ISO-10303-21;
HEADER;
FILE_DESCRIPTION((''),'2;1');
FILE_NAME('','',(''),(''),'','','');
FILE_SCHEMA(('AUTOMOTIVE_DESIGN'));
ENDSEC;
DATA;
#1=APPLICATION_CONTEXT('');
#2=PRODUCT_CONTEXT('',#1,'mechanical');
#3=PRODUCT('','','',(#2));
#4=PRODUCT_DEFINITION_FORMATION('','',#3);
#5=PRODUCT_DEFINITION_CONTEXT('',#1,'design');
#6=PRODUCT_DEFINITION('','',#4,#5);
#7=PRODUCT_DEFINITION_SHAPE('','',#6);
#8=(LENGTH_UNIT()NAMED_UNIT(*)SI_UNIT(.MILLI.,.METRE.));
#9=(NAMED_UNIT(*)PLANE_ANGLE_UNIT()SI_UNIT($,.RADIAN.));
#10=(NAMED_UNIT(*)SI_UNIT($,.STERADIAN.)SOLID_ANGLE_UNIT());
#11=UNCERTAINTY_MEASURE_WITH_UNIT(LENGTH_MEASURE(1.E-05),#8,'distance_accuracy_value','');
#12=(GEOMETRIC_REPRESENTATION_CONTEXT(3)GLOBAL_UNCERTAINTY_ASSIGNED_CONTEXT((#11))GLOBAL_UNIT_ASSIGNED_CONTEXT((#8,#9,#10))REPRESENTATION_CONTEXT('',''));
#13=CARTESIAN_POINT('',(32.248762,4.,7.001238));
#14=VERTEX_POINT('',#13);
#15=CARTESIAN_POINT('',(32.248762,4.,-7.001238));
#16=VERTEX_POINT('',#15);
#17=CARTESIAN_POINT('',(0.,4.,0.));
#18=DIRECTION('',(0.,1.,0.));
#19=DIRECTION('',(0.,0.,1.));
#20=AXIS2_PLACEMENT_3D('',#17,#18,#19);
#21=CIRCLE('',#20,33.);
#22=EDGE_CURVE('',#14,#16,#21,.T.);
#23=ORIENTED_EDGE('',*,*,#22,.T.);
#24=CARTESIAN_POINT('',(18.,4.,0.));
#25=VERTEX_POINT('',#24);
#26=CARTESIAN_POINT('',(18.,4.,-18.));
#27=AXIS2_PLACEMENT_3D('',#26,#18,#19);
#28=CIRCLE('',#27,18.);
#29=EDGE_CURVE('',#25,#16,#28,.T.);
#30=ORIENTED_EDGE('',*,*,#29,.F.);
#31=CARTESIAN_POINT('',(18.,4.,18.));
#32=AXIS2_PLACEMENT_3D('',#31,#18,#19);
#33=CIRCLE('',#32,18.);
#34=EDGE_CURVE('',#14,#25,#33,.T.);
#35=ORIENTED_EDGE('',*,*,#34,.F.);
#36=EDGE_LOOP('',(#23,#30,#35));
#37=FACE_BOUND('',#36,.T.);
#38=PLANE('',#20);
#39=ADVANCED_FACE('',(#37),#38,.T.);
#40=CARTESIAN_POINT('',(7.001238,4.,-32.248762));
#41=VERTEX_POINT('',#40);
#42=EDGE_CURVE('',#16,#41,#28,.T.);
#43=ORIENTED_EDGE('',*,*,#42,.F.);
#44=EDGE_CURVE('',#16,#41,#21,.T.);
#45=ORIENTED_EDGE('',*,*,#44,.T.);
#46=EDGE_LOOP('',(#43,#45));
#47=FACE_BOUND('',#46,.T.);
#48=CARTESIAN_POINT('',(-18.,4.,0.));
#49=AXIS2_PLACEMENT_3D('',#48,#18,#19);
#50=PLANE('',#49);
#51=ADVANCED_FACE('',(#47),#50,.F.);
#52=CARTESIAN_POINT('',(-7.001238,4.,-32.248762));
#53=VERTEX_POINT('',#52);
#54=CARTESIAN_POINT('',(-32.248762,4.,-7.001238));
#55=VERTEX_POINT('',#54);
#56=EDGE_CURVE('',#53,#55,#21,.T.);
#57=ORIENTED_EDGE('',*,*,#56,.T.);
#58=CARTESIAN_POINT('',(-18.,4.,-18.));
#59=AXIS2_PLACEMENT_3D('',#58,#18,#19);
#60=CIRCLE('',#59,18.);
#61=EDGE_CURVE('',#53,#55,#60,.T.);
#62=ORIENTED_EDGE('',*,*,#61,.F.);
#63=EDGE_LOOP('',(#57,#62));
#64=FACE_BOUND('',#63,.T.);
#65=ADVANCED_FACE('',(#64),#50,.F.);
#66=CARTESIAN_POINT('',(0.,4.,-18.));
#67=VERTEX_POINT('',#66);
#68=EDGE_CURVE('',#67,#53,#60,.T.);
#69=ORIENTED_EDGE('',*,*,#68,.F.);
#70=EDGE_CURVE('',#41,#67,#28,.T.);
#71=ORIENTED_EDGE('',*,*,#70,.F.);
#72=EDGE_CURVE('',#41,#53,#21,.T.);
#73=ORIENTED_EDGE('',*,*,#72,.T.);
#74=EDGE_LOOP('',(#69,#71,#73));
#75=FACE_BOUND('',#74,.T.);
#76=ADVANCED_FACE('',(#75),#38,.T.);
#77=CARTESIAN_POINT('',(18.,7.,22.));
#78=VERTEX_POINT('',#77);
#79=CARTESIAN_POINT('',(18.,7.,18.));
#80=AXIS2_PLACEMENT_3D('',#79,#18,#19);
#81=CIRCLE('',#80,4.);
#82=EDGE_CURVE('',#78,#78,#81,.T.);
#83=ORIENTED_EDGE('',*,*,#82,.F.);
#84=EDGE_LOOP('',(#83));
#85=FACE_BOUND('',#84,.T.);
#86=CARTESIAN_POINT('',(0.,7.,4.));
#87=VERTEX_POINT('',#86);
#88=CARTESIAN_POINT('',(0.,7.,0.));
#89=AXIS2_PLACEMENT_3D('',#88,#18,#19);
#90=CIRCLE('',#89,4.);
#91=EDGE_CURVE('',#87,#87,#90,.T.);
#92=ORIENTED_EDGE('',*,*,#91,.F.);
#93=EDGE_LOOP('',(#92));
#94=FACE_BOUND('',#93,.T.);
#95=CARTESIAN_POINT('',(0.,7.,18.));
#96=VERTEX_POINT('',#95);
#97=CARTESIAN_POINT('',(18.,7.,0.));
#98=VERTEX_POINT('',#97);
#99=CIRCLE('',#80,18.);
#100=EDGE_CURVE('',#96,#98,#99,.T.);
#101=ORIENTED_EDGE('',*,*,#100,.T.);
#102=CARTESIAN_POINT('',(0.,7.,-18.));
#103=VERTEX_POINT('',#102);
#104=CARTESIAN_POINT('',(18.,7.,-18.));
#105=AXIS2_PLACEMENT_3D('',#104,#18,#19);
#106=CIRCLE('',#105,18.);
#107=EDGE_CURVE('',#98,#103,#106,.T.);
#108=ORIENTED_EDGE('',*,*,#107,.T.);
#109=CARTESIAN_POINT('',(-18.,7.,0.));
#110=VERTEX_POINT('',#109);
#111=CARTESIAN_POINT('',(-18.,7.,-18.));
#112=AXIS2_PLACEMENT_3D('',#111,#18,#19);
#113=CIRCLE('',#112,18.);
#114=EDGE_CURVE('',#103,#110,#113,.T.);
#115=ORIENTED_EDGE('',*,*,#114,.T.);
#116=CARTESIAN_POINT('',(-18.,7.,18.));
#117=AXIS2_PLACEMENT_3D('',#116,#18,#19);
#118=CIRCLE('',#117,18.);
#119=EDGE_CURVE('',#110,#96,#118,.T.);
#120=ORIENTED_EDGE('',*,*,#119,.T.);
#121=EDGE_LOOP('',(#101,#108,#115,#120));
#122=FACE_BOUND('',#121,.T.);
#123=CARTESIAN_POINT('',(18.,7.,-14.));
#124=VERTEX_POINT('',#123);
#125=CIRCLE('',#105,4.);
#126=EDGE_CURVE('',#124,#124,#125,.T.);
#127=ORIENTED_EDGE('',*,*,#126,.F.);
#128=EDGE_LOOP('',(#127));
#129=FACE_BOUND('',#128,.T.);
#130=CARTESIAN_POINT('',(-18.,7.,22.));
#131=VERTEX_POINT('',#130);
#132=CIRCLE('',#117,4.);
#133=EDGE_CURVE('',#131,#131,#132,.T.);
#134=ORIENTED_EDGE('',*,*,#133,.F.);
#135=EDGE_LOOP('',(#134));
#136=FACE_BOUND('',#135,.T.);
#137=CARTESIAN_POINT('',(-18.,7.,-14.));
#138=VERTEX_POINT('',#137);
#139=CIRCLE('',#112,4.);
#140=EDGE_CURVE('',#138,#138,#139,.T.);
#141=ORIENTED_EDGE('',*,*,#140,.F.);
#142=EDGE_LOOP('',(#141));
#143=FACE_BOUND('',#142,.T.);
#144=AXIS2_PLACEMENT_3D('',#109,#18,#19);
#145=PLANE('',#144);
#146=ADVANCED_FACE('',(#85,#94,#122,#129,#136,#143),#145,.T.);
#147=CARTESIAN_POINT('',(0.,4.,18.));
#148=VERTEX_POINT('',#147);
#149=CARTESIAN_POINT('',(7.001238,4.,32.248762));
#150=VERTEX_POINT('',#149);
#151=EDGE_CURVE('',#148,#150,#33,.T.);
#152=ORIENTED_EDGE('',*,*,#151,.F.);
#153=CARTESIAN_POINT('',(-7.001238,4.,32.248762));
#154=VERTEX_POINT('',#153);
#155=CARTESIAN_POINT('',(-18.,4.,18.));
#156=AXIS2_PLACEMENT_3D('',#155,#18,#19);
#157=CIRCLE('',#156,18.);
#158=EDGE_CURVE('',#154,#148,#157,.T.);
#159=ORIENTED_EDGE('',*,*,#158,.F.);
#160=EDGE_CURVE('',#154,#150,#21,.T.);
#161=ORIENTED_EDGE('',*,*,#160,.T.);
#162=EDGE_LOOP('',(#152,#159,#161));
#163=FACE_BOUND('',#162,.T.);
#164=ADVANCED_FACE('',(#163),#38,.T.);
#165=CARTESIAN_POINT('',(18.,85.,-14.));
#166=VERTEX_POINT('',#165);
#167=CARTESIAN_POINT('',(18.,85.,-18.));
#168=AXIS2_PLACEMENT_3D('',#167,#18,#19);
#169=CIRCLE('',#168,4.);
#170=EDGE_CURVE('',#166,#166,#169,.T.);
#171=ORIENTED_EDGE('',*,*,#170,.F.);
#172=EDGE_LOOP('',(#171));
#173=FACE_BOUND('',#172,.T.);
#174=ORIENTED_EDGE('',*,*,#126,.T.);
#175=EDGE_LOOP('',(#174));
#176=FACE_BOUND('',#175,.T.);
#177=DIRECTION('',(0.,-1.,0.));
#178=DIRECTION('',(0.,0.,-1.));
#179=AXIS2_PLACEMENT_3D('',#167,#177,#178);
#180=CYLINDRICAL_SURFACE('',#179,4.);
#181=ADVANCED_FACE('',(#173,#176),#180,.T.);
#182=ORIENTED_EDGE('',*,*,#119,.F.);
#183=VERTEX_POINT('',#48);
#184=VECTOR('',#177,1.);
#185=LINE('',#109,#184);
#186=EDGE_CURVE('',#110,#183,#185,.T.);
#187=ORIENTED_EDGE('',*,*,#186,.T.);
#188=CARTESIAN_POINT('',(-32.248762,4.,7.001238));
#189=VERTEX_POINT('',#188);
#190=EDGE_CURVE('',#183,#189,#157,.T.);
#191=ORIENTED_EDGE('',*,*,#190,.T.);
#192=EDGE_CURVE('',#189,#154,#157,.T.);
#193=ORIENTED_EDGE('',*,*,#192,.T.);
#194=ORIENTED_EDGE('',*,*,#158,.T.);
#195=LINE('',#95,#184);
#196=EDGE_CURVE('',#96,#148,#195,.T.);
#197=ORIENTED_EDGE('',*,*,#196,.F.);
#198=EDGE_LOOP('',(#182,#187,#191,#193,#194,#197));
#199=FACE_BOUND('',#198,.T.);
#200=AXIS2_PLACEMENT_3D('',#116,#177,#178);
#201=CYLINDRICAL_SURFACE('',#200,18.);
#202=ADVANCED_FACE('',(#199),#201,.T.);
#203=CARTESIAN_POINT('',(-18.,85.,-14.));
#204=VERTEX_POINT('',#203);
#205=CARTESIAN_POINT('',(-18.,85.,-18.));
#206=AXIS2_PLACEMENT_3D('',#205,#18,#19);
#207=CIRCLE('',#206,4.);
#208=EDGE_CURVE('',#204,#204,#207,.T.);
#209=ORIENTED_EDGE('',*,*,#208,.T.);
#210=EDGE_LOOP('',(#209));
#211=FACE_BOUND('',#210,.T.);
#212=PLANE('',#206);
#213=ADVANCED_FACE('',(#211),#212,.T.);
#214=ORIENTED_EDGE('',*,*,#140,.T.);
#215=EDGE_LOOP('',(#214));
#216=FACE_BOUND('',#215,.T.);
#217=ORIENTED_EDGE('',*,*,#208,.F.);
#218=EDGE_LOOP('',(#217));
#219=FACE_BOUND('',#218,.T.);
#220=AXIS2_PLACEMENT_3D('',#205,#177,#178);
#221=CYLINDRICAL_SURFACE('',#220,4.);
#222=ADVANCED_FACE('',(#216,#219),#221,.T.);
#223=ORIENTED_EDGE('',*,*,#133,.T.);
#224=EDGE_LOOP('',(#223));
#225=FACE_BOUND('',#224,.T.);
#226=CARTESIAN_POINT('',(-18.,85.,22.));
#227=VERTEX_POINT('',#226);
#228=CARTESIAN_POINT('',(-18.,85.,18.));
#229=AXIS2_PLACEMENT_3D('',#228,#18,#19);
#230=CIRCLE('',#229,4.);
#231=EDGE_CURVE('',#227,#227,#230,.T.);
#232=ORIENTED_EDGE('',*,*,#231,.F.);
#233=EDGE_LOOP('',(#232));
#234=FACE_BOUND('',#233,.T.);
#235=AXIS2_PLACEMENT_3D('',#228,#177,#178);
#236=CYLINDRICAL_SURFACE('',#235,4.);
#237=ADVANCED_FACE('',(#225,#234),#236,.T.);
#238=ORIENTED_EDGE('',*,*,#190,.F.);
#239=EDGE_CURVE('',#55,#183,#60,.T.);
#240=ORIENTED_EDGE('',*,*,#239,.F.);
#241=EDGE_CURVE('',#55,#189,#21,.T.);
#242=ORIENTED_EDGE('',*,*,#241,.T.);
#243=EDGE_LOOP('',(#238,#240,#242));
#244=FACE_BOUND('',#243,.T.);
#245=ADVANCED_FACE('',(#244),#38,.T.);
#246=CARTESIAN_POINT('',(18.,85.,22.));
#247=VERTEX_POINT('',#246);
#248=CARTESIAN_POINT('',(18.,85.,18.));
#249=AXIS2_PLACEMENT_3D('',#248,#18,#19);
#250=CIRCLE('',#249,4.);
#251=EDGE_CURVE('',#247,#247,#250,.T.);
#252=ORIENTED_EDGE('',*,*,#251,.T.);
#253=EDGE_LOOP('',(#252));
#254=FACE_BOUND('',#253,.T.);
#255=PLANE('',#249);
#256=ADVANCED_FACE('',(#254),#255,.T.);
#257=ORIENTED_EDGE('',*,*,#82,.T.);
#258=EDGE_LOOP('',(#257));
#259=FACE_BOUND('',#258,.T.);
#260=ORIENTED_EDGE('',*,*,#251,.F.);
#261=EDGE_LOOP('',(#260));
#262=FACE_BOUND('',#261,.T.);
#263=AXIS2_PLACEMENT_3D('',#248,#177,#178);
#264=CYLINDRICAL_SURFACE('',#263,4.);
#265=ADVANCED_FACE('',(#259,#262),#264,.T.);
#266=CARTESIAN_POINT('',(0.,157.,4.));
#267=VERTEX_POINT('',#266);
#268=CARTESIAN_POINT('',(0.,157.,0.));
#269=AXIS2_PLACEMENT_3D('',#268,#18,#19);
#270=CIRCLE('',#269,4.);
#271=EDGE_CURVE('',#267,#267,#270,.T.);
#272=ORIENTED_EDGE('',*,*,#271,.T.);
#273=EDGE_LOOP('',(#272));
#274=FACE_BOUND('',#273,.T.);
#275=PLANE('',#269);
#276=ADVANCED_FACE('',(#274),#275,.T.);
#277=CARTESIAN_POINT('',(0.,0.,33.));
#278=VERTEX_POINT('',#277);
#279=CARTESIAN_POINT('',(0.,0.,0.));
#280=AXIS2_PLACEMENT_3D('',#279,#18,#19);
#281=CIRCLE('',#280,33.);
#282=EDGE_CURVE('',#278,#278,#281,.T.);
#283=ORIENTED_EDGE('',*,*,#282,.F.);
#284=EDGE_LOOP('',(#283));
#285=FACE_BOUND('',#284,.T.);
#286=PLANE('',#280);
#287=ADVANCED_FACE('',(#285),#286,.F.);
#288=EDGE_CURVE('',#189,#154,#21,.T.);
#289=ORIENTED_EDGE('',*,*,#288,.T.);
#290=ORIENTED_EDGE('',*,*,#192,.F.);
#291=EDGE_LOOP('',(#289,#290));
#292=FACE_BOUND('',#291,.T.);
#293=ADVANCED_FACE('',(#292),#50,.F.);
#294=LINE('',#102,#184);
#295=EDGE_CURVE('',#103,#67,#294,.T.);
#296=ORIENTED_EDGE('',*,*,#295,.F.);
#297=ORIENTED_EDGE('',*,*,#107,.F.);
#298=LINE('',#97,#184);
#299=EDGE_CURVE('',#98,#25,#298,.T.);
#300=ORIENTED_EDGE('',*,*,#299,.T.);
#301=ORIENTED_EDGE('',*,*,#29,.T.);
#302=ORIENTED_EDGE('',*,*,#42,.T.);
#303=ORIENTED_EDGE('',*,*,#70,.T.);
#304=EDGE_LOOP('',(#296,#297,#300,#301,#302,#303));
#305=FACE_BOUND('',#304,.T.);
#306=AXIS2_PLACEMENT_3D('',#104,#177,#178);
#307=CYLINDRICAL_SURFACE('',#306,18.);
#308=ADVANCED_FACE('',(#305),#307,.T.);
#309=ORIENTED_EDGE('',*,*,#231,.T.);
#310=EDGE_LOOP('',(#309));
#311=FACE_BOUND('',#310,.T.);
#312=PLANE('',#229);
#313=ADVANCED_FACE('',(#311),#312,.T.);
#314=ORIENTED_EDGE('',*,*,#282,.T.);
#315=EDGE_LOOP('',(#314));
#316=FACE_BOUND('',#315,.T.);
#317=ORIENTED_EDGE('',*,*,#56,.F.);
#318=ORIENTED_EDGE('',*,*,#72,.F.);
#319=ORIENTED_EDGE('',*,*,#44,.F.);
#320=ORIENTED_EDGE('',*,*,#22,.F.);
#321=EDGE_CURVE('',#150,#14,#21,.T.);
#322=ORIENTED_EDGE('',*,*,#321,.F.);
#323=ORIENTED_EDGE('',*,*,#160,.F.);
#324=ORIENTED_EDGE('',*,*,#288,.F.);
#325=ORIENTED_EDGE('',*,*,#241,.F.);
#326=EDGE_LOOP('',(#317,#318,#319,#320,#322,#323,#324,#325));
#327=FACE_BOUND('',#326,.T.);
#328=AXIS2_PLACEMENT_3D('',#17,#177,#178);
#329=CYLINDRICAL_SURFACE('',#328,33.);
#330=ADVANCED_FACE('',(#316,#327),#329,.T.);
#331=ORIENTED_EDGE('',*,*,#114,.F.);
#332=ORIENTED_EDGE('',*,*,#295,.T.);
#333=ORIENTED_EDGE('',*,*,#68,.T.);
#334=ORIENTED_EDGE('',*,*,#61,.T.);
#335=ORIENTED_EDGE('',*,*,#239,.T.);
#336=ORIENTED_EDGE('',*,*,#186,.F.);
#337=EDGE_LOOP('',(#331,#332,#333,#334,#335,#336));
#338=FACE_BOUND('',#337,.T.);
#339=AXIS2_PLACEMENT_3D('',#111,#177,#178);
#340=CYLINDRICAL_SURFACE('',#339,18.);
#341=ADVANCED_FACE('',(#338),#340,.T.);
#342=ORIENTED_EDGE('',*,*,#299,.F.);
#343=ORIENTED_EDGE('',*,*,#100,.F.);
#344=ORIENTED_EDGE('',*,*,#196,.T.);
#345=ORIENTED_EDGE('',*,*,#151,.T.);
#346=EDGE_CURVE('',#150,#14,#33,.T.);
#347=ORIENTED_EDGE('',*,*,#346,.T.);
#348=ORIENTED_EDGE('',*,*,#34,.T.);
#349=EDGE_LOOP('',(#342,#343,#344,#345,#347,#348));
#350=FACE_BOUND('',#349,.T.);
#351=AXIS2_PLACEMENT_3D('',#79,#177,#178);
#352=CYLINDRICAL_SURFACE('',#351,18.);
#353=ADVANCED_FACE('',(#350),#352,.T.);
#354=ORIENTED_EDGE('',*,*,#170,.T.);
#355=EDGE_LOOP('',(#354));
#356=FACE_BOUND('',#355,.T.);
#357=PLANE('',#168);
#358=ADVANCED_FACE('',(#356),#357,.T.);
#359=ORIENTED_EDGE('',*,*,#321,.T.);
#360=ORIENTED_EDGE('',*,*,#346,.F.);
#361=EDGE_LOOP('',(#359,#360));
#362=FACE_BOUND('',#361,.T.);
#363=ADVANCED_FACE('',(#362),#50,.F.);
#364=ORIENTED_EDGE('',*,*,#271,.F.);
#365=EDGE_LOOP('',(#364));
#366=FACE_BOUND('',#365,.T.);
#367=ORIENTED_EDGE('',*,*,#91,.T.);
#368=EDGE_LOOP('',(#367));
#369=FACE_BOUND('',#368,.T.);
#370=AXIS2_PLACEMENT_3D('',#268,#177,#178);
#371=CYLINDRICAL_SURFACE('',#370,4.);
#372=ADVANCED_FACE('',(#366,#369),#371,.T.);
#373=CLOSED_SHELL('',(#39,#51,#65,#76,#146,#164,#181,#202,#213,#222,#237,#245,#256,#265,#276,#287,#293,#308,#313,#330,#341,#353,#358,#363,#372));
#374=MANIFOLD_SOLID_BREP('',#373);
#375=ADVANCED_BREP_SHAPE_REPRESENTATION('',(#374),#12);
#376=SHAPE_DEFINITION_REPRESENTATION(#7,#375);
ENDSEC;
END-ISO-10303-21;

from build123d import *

# Parameters (mm, degrees)
SKETCH1_R           = 33
BOSS_EXTRUDE1_DEPTH = 4
BOSS_EXTRUDE2_DEPTH = 3
SKETCH3_R           = 4
BOSS_EXTRUDE3_DEPTH = 78
SKETCH4_R           = 4
BOSS_EXTRUDE4_DEPTH = 150


with BuildPart() as part:
    # Sketch1 → Boss-Extrude1 (new body)
    with BuildSketch(Plane(origin=(0, 0, 0), x_dir=(1, 0, 0), z_dir=(0, 1, 0))):
        with Locations(Location((0, 0, 0), (0, 0, 270))):
            Circle(SKETCH1_R)
    extrude(amount=BOSS_EXTRUDE1_DEPTH)

    # Sketch2 → Boss-Extrude2 (add)
    with BuildSketch(Plane(origin=(0, 4, 0), x_dir=(1, 0, 0), z_dir=(0, 1, 0))):
        with BuildLine():
            ThreePointArc((18, 0), (30.727922061, 30.727922061), (0, 18))
            ThreePointArc((0, 18), (-30.727922061, 30.727922061), (-18, 0))
            ThreePointArc((-18, 0), (-30.727922061, -30.727922061), (0, -18))
            ThreePointArc((0, -18), (30.727922061, -30.727922061), (18, 0))
        make_face()
    extrude(amount=BOSS_EXTRUDE2_DEPTH)

    # Sketch3 → Boss-Extrude3 (add)
    with BuildSketch(Plane(origin=(0, 7, 0), x_dir=(1, 0, 0), z_dir=(0, 1, 0))):
        with Locations(Location((-18, 18, 0), (0, 0, 270))):
            Circle(SKETCH3_R)
        with Locations(Location((18, 18, 0), (0, 0, 270))):
            Circle(SKETCH3_R)
        with Locations(Location((18, -18, 0), (0, 0, 270))):
            Circle(SKETCH3_R)
        with Locations(Location((-18, -18, 0), (0, 0, 270))):
            Circle(SKETCH3_R)
    extrude(amount=BOSS_EXTRUDE3_DEPTH)

    # Sketch4 → Boss-Extrude4 (add)
    with BuildSketch(Plane(origin=(0, 7, 0), x_dir=(1, 0, 0), z_dir=(0, 1, 0))):
        with Locations(Location((0, 0, 0), (0, 0, 270))):
            Circle(SKETCH4_R)
    extrude(amount=BOSS_EXTRUDE4_DEPTH)


solid = part.part
